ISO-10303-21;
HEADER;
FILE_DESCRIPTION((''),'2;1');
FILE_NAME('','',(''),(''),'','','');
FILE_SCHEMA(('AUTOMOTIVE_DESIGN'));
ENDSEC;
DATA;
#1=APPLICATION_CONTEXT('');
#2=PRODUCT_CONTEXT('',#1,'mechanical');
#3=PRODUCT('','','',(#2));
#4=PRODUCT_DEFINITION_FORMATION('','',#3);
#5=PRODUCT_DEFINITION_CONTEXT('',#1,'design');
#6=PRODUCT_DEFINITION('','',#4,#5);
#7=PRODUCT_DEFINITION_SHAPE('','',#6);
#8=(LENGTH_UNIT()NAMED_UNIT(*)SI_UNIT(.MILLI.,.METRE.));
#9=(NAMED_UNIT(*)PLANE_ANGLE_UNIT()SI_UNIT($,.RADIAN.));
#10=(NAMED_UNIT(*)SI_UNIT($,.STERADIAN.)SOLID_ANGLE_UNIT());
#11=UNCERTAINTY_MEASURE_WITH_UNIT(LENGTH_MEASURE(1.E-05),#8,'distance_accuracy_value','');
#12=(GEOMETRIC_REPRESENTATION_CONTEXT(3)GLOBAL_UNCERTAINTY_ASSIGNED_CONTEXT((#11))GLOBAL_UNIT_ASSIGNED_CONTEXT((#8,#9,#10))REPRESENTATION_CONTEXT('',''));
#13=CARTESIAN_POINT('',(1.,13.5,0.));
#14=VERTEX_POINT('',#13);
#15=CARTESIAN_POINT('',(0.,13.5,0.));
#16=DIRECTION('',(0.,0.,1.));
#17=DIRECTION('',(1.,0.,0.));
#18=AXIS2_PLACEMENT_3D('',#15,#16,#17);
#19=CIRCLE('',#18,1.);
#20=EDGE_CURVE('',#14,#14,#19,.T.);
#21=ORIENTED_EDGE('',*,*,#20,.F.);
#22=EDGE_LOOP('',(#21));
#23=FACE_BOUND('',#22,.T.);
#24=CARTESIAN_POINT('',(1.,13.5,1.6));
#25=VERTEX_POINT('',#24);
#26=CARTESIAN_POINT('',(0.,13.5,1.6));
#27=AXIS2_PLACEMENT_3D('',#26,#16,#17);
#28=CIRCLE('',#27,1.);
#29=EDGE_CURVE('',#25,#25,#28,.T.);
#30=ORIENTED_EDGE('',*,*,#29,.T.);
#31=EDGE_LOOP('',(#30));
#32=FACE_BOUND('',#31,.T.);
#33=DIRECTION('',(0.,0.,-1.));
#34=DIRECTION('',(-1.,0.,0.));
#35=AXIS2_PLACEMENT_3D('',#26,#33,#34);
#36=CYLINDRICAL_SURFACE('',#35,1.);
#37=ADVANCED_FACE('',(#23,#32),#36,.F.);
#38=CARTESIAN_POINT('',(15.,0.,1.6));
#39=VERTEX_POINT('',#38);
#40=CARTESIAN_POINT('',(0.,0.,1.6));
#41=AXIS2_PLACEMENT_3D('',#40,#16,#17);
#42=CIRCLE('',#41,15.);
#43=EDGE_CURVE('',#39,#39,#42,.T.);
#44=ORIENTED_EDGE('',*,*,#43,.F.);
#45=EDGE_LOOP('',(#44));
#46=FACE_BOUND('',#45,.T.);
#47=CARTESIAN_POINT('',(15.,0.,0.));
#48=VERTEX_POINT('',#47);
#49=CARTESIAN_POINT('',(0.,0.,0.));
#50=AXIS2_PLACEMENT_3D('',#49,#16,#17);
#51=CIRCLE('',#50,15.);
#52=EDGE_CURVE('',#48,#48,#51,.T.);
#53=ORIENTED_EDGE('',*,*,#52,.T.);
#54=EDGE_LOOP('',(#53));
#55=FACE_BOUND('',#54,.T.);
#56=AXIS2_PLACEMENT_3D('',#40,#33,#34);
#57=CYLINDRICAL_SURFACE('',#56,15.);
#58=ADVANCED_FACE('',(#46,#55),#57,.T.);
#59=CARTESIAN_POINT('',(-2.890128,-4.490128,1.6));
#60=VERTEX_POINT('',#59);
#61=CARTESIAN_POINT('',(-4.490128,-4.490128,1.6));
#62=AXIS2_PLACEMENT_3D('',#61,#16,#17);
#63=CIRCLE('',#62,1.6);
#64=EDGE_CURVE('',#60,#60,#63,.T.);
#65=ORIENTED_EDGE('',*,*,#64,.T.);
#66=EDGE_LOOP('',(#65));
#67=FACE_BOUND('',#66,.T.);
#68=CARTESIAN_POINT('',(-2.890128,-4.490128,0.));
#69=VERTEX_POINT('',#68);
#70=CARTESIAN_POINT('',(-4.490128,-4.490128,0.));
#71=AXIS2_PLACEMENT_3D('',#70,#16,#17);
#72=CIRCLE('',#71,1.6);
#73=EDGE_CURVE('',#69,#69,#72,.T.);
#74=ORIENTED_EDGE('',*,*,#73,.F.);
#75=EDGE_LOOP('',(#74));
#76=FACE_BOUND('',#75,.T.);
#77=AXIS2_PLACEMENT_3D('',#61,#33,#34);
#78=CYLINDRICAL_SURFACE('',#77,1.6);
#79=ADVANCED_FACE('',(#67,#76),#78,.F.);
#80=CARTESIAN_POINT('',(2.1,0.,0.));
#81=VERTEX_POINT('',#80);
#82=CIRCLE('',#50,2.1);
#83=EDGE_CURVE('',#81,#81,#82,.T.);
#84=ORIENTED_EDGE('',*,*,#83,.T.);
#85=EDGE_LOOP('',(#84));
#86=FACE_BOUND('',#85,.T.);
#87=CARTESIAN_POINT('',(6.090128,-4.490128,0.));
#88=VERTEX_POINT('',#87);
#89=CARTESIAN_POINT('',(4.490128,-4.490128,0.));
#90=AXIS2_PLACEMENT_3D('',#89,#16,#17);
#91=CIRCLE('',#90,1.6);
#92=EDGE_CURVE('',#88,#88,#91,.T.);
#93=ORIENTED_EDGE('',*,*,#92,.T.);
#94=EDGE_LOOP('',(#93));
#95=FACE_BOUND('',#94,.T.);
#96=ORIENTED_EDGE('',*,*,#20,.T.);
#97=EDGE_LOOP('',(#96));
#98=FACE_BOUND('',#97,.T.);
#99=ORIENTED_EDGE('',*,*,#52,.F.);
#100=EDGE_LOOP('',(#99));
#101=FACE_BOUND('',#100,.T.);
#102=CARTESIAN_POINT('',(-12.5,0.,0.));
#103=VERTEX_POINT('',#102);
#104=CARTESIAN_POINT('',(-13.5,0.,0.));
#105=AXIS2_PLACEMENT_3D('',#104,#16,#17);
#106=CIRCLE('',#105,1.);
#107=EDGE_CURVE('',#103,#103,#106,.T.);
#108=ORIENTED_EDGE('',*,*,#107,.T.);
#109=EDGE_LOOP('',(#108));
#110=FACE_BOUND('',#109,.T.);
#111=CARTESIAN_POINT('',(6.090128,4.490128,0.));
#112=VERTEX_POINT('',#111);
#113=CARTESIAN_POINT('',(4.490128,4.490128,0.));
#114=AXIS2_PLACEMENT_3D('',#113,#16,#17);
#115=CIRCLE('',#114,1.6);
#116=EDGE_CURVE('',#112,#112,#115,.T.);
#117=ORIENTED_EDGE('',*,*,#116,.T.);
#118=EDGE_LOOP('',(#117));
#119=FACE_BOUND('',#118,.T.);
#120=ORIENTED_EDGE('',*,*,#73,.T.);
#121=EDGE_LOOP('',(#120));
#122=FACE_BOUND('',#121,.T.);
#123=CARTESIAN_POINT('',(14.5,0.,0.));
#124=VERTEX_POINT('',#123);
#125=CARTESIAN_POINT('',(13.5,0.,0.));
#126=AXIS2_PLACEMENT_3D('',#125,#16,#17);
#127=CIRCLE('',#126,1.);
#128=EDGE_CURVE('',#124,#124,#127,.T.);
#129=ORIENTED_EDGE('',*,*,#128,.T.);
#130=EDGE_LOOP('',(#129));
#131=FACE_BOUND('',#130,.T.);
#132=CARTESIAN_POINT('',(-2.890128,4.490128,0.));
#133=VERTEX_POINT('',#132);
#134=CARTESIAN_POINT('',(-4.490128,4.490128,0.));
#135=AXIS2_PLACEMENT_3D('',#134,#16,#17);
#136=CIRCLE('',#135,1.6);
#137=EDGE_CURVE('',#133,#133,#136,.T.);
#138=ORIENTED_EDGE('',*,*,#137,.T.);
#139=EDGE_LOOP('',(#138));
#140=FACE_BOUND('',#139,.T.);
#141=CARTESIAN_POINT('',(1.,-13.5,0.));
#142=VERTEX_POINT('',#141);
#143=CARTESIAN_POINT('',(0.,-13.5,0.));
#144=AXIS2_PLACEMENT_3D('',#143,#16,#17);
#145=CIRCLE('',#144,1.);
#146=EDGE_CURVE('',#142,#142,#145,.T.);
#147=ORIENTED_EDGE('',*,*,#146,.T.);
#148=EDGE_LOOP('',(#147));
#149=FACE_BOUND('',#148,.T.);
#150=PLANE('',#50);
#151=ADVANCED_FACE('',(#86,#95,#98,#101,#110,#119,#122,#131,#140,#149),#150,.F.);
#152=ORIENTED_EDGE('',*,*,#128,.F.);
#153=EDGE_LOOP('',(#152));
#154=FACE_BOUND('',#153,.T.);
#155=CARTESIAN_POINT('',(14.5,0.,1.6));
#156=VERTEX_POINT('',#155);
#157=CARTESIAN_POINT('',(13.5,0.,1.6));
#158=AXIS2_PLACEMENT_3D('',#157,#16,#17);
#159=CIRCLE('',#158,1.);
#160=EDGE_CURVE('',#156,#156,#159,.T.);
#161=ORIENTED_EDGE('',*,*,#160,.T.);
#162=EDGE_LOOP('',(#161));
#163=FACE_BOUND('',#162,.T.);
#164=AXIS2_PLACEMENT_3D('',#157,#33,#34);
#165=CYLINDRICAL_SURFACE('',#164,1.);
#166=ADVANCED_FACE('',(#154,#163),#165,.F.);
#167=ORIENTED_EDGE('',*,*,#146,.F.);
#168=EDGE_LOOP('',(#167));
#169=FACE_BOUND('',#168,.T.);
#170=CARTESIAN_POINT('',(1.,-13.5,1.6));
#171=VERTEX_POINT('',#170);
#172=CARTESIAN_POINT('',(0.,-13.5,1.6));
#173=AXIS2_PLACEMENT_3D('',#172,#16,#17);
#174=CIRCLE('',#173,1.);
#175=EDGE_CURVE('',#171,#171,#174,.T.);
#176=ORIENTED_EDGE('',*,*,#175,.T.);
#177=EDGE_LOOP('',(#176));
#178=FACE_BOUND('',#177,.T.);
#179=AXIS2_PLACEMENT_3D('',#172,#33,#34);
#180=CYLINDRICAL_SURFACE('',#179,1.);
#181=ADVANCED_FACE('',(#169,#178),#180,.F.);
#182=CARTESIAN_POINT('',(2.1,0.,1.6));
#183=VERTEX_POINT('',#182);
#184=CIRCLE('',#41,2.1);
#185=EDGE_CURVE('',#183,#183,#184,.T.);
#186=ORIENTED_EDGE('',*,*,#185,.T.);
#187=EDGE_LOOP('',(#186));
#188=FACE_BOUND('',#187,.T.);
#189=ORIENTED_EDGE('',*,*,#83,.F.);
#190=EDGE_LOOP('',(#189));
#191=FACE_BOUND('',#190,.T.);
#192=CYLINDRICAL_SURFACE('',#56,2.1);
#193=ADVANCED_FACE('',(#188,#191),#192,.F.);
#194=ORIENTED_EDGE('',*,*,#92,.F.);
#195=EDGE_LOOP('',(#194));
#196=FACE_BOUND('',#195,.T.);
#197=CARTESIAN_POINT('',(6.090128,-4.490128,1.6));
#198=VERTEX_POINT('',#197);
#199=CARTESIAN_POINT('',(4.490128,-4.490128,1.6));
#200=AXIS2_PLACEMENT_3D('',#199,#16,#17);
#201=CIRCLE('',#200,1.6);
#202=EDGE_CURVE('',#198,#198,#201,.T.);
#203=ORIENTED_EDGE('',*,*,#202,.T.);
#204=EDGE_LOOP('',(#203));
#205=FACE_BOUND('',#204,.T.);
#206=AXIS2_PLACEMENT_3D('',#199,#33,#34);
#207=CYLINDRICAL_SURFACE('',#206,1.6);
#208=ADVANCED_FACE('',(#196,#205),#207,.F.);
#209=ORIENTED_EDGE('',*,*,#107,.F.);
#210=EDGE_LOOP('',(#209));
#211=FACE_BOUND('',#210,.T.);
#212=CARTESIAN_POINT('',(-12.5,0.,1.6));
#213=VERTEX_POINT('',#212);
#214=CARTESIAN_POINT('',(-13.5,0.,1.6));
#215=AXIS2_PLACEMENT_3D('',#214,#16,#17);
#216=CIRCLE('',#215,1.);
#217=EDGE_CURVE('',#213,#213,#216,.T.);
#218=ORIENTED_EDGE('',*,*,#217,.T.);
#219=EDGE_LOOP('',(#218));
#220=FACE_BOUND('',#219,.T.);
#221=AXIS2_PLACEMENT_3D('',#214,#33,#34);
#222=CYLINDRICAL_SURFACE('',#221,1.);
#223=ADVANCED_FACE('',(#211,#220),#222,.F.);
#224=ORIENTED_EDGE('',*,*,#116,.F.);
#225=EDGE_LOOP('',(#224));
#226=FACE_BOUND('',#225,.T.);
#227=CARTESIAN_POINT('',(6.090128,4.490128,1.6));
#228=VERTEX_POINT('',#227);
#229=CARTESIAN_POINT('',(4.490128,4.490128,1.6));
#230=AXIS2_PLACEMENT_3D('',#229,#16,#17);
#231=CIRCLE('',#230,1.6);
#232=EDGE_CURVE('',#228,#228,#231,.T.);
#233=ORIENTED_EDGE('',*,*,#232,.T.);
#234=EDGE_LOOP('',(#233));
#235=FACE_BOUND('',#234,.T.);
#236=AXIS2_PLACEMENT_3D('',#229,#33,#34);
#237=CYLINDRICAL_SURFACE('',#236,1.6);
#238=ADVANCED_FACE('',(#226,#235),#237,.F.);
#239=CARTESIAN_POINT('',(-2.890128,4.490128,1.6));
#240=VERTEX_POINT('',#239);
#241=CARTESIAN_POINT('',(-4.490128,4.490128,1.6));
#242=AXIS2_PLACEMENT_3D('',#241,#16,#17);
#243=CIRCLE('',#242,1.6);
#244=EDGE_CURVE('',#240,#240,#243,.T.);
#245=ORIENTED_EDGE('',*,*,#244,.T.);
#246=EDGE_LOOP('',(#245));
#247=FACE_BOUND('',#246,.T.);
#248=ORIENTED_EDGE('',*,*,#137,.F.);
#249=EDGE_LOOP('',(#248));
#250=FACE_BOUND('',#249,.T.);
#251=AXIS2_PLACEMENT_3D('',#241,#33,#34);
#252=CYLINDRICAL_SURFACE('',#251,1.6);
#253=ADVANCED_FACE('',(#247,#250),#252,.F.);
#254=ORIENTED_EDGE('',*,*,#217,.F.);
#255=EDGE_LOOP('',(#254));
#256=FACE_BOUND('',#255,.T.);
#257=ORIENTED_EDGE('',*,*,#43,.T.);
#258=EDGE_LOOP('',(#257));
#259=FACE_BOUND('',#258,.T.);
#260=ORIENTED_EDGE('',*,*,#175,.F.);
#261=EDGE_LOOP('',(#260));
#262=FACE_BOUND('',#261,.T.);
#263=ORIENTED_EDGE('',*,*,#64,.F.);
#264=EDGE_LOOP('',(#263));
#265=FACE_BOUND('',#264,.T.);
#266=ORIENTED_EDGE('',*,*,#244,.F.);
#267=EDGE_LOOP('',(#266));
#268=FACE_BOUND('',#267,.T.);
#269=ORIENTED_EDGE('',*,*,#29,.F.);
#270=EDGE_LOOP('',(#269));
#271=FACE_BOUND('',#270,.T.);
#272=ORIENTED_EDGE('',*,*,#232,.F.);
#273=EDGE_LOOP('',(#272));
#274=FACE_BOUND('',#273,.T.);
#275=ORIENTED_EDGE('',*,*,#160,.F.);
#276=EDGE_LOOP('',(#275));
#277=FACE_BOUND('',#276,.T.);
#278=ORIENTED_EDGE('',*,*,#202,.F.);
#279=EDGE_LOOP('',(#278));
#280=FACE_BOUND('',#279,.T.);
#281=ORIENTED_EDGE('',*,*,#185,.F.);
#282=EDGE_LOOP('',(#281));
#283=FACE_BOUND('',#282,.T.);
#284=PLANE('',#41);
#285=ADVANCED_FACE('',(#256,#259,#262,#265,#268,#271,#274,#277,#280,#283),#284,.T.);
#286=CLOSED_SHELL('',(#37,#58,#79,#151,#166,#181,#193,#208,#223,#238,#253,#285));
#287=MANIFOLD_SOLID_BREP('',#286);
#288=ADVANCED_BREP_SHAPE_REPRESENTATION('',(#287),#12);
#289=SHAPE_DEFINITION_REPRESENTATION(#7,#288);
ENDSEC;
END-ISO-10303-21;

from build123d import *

# Parameters (mm, degrees)
SKETCH1_R           = 15
SKETCH1_R_2         = 2.1
SKETCH1_R_3         = 1.6
SKETCH1_R_4         = 1
BOSS_EXTRUDE1_DEPTH = 1.6


with BuildPart() as part:
    # Sketch1 → Boss-Extrude1 (new body)
    with BuildSketch(Plane.XY):
        Circle(SKETCH1_R)
        Circle(SKETCH1_R_2, mode=Mode.SUBTRACT)
        with Locations((4.490128061, 4.490128061)):
            Circle(SKETCH1_R_3, mode=Mode.SUBTRACT)
        with Locations((4.490128061, -4.490128061)):
            Circle(SKETCH1_R_3, mode=Mode.SUBTRACT)
        with Locations((-4.490128061, -4.490128061)):
            Circle(SKETCH1_R_3, mode=Mode.SUBTRACT)
        with Locations((-4.490128061, 4.490128061)):
            Circle(SKETCH1_R_3, mode=Mode.SUBTRACT)
        with Locations((0, 13.5)):
            Circle(SKETCH1_R_4, mode=Mode.SUBTRACT)
        with Locations((13.5, 0)):
            Circle(SKETCH1_R_4, mode=Mode.SUBTRACT)
        with Locations((0, -13.5)):
            Circle(SKETCH1_R_4, mode=Mode.SUBTRACT)
        with Locations((-13.5, 0)):
            Circle(SKETCH1_R_4, mode=Mode.SUBTRACT)
    extrude(amount=BOSS_EXTRUDE1_DEPTH)


solid = part.part
